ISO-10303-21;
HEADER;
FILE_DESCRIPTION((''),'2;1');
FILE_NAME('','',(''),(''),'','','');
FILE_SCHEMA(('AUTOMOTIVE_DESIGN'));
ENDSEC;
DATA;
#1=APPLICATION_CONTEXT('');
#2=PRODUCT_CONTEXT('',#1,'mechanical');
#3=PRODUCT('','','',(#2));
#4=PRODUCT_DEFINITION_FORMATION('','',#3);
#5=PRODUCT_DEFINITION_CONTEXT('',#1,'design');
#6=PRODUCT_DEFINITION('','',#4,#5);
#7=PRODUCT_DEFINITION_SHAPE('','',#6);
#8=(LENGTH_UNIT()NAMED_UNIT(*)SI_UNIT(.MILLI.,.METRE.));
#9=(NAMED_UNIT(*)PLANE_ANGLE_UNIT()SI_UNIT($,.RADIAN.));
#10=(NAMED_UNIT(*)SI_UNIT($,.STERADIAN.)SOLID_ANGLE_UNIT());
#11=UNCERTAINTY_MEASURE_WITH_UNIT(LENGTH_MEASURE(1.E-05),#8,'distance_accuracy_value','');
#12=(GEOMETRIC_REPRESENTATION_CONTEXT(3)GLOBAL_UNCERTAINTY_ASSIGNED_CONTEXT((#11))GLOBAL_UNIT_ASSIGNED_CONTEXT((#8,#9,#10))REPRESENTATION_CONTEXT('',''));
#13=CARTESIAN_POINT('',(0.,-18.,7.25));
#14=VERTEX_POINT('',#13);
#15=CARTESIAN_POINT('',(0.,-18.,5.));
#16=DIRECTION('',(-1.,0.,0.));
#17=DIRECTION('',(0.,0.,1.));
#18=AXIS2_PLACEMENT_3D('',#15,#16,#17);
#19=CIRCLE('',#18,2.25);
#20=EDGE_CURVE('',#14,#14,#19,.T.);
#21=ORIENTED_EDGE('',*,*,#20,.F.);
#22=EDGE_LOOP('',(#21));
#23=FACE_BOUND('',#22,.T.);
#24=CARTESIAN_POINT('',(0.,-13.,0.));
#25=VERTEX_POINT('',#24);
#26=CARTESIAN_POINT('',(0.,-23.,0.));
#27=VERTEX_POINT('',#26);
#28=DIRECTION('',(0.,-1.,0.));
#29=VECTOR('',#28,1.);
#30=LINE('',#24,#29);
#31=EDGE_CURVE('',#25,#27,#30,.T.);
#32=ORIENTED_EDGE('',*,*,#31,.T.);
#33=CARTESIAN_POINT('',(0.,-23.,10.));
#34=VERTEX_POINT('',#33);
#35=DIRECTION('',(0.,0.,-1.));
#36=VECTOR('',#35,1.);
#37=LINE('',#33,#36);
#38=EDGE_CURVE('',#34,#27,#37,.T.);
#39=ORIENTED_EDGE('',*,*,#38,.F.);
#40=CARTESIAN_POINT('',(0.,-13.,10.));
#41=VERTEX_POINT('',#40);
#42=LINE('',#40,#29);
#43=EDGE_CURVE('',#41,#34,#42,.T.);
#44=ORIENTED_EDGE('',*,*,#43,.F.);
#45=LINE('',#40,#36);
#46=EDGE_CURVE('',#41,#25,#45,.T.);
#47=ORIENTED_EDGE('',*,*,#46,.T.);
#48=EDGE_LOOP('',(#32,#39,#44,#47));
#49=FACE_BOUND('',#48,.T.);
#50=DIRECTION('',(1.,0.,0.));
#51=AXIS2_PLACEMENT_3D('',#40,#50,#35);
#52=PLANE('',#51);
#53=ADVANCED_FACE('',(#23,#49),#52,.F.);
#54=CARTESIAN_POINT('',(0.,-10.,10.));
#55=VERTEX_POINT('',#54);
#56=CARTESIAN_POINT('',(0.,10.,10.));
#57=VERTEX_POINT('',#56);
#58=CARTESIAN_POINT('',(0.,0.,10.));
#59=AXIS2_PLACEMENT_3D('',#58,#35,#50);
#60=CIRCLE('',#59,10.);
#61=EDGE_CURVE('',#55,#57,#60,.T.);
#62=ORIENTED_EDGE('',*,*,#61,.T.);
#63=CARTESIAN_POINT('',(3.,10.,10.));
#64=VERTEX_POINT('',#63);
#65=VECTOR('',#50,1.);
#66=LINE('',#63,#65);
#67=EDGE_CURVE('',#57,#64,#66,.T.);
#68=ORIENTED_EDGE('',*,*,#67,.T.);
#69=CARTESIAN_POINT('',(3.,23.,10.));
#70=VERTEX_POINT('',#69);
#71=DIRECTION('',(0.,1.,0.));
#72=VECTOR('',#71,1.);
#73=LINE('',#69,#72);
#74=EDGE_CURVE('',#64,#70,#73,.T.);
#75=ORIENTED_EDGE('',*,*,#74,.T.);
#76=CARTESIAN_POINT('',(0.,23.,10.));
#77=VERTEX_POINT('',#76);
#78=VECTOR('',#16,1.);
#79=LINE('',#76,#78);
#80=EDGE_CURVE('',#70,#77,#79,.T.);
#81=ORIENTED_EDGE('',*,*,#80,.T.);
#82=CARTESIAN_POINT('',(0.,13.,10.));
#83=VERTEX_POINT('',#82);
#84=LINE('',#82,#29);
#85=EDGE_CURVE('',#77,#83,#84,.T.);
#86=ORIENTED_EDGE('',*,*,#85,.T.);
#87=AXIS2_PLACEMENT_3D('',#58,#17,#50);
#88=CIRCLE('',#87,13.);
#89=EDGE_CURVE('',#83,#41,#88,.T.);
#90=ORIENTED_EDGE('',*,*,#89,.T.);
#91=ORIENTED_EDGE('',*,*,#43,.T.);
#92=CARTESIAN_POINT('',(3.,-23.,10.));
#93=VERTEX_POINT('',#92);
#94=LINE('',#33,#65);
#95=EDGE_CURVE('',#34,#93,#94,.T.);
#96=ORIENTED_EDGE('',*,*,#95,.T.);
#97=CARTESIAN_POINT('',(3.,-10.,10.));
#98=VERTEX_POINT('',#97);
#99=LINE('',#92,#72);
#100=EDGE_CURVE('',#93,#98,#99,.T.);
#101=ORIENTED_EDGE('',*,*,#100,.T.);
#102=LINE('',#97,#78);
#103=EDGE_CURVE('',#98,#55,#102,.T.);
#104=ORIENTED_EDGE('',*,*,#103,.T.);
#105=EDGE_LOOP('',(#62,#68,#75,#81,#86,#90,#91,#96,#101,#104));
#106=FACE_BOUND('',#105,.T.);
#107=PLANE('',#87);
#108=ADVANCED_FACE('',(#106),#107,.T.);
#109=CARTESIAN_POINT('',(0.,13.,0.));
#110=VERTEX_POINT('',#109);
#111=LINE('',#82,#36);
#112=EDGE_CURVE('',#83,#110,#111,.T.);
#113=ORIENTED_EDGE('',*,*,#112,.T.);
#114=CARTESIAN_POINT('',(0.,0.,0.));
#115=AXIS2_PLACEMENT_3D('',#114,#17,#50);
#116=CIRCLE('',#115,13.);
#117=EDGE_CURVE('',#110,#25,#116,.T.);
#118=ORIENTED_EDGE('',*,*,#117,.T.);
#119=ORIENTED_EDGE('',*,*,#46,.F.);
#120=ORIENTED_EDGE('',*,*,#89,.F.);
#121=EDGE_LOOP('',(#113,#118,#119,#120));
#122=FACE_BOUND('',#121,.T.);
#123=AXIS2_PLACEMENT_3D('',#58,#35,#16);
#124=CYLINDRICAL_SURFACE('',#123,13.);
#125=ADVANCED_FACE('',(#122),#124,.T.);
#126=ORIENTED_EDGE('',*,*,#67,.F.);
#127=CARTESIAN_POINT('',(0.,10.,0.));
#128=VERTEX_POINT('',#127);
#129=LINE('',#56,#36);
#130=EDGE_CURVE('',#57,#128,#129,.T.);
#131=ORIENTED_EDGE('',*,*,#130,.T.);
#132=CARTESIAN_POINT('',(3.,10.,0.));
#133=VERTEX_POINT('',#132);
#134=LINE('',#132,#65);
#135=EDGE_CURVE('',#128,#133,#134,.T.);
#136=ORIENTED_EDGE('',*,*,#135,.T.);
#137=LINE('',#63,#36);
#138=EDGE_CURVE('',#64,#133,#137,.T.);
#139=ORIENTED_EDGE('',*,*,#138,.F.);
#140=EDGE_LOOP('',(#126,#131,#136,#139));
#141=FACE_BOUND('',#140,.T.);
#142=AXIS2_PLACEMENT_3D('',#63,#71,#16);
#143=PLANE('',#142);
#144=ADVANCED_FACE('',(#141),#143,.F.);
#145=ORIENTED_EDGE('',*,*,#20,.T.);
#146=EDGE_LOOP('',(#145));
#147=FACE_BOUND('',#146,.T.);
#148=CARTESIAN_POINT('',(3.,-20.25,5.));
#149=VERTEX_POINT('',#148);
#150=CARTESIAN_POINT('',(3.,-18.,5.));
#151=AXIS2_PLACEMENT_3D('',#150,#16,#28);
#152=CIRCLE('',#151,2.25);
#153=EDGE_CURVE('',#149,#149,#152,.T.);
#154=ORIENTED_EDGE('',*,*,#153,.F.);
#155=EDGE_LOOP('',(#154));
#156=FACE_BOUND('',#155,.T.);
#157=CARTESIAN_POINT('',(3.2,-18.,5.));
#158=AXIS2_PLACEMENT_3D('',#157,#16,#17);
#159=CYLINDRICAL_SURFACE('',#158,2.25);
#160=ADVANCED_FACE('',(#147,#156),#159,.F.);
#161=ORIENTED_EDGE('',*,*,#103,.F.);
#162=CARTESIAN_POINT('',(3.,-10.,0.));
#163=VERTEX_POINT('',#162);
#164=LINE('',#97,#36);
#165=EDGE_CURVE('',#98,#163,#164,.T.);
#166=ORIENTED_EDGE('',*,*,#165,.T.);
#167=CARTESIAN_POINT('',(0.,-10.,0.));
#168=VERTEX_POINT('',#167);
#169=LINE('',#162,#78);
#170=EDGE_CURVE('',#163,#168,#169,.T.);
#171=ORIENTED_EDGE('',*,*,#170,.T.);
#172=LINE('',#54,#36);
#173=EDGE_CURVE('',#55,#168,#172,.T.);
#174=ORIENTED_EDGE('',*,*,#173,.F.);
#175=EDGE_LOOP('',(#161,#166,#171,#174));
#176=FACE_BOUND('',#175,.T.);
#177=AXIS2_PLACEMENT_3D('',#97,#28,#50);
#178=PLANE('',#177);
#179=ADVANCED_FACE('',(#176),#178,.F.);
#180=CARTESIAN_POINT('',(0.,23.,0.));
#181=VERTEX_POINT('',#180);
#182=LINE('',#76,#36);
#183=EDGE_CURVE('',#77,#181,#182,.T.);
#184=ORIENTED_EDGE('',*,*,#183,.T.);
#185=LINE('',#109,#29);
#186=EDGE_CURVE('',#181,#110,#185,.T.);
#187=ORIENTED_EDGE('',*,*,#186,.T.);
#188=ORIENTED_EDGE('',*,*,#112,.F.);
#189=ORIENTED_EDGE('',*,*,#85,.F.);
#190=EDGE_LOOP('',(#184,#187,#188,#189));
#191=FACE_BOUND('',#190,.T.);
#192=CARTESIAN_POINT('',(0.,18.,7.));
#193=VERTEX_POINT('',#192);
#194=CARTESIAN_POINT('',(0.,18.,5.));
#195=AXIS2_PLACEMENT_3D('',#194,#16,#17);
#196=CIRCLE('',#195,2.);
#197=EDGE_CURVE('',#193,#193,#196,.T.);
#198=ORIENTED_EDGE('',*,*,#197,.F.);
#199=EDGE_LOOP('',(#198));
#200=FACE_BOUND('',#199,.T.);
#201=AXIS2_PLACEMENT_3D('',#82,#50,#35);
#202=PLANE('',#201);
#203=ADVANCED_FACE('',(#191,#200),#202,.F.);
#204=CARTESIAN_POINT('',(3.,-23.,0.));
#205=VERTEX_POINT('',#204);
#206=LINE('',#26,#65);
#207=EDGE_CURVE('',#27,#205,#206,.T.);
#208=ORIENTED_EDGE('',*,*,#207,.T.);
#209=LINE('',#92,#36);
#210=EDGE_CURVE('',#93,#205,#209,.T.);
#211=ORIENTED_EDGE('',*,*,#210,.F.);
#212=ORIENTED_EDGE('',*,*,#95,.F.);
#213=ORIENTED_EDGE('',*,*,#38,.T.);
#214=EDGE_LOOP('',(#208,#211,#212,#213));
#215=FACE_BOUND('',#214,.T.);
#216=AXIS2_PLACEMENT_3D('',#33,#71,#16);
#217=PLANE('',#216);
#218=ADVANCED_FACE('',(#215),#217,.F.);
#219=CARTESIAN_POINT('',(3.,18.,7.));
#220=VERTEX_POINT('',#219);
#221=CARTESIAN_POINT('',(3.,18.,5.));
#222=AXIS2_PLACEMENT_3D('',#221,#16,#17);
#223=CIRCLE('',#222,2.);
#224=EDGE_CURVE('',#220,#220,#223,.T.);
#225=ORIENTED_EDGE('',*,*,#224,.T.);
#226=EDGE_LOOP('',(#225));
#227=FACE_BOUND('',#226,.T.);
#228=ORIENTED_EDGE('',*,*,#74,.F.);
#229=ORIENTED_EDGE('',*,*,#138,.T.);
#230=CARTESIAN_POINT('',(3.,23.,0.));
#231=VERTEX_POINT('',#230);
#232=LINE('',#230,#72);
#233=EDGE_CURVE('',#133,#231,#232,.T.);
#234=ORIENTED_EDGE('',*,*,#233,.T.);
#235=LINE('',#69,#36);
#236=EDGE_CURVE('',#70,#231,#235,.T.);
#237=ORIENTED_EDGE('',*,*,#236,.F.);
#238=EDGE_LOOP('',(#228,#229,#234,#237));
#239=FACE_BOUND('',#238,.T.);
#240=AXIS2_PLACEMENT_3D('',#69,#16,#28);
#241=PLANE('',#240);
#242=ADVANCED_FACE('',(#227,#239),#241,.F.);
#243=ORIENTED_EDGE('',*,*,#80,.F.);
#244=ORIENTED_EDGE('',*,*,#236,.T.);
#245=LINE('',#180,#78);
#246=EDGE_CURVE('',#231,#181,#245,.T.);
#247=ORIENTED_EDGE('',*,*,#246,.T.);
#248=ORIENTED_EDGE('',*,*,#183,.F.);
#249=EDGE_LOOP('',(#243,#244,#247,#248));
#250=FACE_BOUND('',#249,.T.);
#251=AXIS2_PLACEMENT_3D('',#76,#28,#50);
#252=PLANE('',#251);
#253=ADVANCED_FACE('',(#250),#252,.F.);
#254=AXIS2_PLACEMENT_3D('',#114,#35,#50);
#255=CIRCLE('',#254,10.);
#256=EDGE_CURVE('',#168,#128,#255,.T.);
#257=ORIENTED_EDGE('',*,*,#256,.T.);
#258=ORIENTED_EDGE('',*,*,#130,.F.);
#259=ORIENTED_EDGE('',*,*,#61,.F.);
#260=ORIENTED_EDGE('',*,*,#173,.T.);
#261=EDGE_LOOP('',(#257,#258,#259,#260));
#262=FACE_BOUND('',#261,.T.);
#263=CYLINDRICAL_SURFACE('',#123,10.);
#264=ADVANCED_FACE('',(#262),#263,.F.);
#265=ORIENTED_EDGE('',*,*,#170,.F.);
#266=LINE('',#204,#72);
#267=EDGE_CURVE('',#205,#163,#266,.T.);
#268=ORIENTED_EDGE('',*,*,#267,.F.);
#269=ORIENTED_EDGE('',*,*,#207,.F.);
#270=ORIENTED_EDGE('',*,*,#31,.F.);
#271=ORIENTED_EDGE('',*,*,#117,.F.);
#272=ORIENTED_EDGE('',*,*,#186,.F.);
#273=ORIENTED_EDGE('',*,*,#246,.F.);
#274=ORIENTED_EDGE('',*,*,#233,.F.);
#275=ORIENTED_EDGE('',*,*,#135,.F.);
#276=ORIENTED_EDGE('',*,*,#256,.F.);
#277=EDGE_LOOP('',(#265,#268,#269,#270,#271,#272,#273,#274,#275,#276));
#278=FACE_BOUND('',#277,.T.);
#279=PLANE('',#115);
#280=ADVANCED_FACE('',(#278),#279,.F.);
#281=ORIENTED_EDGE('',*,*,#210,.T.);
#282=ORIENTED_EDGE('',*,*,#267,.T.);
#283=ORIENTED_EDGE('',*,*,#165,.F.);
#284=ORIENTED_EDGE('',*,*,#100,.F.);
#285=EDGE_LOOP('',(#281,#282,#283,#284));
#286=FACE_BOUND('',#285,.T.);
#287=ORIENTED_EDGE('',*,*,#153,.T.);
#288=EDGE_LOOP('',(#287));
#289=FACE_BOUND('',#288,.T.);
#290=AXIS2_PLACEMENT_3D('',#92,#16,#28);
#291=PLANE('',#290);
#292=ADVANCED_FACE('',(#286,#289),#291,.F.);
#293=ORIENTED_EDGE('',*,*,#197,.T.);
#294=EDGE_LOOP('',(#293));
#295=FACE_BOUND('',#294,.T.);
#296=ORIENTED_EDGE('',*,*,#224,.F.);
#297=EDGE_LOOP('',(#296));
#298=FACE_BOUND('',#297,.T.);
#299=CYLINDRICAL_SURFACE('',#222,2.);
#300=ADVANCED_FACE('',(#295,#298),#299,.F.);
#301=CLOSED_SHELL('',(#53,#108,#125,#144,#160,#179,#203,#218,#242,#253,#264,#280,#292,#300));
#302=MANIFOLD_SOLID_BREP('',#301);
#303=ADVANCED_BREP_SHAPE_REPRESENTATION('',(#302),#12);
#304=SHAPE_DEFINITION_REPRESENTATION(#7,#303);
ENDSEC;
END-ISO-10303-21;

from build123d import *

# Parameters (mm, degrees)
EXTRUDE_1_DEPTH     = 10
SKETCH_3_R          = 2
CUT_EXTRUDE_2_DEPTH = 4
SKETCH_4_R          = 2.25
CUT_EXTRUDE_3_DEPTH = 3.2


with BuildPart() as part:
    # 草图1 → 凸台-拉伸1 (new body)
    with BuildSketch(Plane.XY):
        with BuildLine():
            Line((0, 23), (3, 23))
            Line((3, 23), (3, 10))
            Line((3, 10), (0, 10))
            ThreePointArc((0, 10), (-10, 0), (0, -10))
            Line((0, -10), (3, -10))
            Line((3, -10), (3, -23))
            Line((3, -23), (0, -23))
            Line((0, -23), (0, -13))
            ThreePointArc((0, -13), (-13, 0), (0, 13))
            Line((0, 13), (0, 23))
        make_face()
    extrude(amount=EXTRUDE_1_DEPTH)

    # 草图3 → 切除-拉伸2 (cut, through all)
    with BuildSketch(Plane.ZY):
        with Locations((5, 18)):
            Circle(SKETCH_3_R)
    extrude(amount=-CUT_EXTRUDE_2_DEPTH, mode=Mode.SUBTRACT)

    # 草图4 → 切除-拉伸3 (cut)
    with BuildSketch(Plane.ZY):
        with Locations((5, -18)):
            Circle(SKETCH_4_R)
    extrude(amount=-CUT_EXTRUDE_3_DEPTH, mode=Mode.SUBTRACT)


solid = part.part
